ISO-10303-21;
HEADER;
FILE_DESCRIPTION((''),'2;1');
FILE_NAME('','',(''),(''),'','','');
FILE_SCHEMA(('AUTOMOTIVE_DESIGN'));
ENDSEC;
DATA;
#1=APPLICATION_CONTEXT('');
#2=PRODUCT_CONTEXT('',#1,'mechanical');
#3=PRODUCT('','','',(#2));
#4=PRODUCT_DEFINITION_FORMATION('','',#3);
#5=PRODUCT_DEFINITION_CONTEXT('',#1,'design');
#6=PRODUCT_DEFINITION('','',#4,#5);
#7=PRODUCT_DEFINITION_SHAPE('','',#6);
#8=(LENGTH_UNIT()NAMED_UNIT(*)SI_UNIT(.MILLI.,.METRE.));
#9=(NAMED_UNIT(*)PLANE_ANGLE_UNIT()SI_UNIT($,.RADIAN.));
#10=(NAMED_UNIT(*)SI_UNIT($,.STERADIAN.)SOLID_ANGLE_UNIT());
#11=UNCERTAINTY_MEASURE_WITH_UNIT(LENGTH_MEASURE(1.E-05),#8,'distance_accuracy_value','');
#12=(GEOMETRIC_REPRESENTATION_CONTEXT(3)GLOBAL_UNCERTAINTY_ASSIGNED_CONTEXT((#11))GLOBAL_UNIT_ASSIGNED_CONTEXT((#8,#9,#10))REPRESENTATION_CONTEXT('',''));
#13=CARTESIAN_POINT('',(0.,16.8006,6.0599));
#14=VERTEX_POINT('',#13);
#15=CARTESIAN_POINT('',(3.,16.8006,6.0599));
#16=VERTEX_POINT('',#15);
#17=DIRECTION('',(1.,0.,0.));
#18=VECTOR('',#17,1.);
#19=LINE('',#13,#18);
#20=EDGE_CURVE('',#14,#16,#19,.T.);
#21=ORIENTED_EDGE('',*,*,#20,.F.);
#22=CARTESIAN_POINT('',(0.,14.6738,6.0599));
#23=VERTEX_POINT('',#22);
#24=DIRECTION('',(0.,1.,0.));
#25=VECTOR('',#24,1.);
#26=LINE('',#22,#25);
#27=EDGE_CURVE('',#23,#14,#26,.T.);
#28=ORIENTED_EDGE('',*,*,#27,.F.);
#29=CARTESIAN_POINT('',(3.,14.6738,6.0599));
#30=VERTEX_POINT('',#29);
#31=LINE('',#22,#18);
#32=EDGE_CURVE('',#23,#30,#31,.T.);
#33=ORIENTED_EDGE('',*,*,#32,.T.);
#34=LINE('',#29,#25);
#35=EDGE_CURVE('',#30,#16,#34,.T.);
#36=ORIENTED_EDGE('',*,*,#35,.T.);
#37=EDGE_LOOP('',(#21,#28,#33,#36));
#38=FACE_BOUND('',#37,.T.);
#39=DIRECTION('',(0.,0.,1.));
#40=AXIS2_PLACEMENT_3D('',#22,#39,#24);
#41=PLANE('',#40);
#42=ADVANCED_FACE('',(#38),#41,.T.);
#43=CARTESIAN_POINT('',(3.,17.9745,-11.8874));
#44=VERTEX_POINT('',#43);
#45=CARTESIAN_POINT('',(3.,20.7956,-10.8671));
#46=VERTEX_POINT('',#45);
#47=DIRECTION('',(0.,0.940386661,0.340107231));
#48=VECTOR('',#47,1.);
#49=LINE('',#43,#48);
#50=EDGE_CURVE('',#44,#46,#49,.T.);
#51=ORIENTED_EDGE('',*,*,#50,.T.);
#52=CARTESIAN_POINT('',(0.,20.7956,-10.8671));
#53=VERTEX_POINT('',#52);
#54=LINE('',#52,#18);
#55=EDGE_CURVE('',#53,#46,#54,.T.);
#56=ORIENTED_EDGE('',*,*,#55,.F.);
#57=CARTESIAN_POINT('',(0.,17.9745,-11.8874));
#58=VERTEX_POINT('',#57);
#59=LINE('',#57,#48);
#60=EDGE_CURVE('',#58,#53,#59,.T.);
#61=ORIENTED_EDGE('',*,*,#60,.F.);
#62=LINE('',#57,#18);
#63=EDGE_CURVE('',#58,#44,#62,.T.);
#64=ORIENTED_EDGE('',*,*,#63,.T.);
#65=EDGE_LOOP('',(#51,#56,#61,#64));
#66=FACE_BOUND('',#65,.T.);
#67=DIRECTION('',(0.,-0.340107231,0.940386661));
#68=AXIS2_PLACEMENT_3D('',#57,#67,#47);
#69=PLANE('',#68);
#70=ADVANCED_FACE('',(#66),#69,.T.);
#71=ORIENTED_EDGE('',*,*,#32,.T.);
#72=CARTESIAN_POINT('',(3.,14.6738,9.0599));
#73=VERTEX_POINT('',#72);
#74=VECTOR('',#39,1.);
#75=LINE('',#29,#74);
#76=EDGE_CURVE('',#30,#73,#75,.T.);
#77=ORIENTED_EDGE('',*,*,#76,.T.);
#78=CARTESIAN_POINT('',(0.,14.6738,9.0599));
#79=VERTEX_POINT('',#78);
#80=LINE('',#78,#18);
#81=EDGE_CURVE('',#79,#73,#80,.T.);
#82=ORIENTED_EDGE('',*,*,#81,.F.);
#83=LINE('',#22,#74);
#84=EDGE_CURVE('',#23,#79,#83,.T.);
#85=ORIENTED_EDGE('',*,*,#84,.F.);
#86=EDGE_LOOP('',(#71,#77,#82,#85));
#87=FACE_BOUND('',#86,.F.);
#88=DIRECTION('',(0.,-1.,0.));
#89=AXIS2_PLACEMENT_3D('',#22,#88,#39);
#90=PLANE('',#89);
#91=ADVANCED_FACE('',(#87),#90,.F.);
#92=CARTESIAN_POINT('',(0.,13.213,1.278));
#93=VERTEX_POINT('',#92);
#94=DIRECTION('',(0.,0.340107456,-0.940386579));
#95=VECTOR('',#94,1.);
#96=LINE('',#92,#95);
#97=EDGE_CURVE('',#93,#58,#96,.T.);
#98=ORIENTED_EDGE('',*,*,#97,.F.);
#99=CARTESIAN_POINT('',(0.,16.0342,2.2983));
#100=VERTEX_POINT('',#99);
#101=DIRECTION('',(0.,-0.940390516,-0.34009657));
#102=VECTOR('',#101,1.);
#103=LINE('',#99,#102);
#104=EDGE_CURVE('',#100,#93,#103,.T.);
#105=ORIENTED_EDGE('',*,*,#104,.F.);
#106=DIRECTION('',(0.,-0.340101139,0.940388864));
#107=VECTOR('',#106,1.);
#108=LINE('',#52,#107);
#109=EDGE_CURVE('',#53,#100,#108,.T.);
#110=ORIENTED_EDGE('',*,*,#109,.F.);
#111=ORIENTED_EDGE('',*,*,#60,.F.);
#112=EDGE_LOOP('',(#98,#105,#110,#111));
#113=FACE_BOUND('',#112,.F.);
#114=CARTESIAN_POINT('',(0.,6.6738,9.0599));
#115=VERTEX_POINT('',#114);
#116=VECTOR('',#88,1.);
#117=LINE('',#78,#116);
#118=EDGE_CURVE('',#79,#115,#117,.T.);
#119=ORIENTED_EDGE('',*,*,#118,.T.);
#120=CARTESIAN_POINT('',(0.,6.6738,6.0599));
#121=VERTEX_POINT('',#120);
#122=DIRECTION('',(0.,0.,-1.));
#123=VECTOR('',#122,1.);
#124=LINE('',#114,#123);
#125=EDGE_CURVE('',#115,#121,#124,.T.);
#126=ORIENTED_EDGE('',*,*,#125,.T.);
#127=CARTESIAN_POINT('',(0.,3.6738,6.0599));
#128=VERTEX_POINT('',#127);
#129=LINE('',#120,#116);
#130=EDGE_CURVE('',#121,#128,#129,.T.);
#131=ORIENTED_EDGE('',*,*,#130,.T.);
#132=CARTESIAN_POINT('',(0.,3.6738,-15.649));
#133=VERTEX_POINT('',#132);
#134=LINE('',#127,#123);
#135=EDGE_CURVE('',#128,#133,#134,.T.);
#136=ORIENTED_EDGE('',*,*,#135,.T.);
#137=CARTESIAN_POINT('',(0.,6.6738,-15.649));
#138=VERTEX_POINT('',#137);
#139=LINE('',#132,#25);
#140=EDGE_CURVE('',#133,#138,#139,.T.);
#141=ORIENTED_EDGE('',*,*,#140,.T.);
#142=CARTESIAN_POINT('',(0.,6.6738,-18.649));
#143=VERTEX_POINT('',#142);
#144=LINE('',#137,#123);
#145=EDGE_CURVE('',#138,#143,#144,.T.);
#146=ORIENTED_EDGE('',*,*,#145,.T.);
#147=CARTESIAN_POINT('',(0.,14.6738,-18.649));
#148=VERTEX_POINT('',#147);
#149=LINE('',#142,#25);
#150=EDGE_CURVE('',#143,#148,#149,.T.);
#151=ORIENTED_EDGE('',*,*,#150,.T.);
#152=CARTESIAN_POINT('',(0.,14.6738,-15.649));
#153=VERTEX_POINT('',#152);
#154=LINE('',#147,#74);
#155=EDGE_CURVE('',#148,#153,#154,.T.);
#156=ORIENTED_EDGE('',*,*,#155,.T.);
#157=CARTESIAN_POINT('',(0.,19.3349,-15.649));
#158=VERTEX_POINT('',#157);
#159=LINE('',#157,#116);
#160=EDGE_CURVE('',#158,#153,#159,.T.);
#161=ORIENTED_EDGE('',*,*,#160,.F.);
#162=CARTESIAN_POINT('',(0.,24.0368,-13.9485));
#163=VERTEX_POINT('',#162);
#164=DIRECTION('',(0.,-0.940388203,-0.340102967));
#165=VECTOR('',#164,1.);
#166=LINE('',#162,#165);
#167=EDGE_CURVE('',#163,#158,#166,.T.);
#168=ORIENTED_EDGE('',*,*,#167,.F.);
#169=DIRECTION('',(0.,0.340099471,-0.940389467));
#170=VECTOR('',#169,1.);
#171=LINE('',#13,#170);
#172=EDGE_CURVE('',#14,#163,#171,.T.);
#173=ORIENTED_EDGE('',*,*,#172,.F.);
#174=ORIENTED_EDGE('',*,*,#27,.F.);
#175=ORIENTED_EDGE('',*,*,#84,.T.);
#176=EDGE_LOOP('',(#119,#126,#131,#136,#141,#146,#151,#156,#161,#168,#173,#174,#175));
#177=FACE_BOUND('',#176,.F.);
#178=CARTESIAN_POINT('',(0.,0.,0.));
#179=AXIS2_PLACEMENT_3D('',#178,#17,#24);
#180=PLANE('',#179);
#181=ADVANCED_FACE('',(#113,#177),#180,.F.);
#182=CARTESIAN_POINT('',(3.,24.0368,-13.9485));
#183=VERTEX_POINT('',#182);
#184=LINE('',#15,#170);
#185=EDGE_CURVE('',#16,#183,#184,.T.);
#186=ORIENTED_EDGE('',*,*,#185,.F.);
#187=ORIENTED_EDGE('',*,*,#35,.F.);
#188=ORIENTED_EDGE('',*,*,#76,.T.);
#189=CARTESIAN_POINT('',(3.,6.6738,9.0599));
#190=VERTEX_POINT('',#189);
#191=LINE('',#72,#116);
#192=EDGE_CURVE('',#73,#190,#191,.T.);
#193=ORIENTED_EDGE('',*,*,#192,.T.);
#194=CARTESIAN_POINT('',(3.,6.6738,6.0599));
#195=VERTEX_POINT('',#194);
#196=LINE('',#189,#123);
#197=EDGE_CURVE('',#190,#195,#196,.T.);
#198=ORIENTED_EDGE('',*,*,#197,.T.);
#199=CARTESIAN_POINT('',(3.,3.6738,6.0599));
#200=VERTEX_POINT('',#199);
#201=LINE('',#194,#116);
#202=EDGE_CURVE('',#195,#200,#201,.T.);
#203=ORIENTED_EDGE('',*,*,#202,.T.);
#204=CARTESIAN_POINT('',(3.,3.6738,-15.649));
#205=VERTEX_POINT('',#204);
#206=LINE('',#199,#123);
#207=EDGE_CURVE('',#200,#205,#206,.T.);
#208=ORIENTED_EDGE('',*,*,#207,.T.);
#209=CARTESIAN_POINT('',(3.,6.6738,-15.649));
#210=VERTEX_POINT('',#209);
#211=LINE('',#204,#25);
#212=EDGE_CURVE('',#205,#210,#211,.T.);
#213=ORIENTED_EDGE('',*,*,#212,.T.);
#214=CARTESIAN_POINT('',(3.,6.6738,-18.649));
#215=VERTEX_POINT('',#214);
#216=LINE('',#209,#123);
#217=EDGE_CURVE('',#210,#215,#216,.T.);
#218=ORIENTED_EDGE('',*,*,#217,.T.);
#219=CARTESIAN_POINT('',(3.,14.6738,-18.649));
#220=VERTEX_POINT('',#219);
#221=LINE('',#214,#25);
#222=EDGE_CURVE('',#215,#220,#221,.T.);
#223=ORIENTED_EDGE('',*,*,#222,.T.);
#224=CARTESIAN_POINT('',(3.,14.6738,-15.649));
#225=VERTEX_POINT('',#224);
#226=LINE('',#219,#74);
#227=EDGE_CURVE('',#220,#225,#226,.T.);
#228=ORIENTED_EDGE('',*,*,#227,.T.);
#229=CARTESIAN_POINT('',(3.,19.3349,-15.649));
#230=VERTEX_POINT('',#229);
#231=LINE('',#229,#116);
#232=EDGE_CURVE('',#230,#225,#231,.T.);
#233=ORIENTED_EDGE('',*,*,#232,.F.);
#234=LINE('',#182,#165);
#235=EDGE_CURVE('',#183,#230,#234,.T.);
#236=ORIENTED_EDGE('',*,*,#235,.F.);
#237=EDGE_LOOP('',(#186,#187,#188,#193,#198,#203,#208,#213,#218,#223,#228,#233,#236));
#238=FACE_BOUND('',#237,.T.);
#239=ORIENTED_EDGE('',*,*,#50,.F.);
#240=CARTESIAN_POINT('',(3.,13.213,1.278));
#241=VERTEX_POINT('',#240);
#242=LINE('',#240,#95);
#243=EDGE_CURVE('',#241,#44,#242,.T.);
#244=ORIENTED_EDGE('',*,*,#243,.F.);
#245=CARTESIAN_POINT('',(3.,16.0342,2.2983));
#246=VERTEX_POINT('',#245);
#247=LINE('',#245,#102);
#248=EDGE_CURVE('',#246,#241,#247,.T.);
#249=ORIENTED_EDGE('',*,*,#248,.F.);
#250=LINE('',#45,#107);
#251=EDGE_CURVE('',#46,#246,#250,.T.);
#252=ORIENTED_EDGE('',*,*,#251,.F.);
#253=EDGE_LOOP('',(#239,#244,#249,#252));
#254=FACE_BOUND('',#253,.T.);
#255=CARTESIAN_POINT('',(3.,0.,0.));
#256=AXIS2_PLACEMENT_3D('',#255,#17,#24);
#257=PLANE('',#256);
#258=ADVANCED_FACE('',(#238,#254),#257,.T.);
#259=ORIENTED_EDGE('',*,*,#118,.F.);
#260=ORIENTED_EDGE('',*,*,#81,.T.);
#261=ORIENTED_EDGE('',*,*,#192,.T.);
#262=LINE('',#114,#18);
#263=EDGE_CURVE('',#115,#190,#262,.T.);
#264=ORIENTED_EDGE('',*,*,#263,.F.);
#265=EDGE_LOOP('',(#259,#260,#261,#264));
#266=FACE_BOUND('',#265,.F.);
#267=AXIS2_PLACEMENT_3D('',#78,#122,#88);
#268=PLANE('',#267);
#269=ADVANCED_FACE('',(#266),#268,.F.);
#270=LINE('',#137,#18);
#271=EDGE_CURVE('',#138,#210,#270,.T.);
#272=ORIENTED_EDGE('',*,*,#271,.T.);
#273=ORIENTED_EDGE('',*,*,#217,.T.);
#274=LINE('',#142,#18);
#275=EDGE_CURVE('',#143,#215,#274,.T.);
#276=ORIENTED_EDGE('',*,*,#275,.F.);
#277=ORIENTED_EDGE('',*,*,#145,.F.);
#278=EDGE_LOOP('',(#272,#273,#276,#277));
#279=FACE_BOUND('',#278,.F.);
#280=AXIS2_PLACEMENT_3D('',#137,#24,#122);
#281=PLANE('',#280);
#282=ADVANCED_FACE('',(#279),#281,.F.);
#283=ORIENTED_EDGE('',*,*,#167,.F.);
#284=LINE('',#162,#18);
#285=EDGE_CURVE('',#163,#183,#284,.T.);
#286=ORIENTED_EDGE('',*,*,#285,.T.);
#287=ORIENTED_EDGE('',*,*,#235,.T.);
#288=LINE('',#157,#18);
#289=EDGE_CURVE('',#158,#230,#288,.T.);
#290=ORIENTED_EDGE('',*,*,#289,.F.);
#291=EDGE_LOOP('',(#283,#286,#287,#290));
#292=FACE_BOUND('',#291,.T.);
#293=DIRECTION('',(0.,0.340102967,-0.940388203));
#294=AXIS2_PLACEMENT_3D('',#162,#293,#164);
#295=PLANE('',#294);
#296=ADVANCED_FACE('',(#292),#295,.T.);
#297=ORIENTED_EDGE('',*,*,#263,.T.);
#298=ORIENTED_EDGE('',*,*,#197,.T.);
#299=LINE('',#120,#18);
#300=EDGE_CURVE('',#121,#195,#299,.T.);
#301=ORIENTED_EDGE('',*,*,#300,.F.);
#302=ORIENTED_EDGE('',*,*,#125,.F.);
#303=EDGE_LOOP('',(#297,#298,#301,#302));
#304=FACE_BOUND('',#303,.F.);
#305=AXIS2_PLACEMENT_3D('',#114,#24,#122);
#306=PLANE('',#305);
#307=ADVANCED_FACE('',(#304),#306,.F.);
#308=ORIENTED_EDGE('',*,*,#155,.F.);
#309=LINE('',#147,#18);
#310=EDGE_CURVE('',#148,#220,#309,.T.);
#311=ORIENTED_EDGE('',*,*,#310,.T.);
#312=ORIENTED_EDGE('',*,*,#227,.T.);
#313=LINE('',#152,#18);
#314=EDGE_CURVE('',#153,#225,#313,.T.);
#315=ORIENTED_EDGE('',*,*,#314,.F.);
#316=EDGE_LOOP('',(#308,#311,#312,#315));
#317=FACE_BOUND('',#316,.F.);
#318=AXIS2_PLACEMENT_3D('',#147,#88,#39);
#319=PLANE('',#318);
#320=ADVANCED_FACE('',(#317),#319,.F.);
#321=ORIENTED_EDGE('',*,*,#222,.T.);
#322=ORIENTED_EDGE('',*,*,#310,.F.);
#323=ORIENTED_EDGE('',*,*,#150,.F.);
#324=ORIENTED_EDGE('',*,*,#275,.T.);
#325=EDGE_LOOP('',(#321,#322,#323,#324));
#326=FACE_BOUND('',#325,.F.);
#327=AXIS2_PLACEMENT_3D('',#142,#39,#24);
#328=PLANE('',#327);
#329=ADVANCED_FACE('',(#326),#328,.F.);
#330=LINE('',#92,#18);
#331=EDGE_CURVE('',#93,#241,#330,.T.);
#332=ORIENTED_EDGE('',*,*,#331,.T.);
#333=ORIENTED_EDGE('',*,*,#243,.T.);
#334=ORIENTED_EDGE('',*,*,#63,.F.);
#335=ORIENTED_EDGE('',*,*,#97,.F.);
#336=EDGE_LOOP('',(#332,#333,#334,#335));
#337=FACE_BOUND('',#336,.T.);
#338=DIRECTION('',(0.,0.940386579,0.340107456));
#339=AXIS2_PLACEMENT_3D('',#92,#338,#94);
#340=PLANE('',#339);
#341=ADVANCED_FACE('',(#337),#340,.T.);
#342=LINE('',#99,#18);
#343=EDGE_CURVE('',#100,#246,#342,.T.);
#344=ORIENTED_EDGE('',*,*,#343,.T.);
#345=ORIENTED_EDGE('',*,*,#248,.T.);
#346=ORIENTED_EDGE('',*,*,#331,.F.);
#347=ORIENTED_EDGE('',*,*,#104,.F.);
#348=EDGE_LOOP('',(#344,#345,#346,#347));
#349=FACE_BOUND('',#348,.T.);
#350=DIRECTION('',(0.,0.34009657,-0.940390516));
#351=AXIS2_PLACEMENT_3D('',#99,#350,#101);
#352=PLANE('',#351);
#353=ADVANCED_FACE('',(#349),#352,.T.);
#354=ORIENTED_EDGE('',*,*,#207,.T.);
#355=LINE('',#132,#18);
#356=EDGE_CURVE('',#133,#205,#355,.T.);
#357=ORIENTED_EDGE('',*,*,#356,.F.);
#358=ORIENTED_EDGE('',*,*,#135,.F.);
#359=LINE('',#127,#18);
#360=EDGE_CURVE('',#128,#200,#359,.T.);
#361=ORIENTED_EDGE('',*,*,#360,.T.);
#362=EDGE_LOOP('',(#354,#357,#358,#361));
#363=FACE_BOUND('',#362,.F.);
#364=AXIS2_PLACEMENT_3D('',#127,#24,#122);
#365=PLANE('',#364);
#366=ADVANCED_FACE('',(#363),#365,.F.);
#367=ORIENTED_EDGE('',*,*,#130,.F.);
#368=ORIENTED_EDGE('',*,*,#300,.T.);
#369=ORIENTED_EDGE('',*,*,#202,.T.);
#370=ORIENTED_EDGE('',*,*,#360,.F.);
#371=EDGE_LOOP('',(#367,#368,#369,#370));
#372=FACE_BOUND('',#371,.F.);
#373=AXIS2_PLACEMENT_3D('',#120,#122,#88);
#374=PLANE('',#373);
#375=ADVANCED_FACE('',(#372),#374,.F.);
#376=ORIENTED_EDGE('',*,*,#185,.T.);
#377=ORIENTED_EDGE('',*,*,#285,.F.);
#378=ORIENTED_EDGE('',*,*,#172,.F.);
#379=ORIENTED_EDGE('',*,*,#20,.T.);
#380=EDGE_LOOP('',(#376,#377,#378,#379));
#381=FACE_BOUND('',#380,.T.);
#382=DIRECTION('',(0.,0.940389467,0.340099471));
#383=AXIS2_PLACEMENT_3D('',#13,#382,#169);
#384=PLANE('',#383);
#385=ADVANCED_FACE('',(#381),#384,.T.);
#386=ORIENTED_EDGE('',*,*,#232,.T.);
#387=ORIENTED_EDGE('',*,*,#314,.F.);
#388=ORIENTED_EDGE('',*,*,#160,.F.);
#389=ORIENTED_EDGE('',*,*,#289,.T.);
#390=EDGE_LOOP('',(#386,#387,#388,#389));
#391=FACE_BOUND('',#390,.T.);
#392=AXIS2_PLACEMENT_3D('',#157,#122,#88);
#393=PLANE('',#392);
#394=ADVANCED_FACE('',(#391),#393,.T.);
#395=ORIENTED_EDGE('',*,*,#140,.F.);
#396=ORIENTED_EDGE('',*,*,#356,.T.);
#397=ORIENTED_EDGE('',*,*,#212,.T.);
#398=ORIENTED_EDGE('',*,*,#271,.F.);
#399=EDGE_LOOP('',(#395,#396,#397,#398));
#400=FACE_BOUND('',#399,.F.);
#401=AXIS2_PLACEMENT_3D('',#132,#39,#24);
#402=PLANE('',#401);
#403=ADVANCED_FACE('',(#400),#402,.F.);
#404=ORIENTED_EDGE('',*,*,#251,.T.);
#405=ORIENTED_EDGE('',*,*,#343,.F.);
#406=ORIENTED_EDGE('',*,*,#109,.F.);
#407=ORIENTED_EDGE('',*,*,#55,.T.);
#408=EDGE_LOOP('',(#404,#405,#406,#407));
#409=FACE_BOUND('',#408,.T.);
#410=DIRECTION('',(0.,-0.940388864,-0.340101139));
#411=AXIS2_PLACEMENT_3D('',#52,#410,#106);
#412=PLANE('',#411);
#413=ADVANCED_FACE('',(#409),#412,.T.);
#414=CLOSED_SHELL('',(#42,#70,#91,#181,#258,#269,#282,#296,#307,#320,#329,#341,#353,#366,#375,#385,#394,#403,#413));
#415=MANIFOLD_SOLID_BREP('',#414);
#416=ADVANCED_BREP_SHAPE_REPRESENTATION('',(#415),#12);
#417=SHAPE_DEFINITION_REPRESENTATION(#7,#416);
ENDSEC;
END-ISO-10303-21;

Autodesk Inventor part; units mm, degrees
ref_plane "YZ Plane" through (0, 0, 0) normal (1, 0, 0) x (0, 1, 0)
ref_plane "XZ Plane" through (0, 0, 0) normal (0, 1, 0) x (-1, 0, 0)
ref_plane "XY Plane" through (0, 0, 0) normal (0, 0, 1) x (1, 0, 0)
sketch "Sketch2" plane through (0, 0, 0) normal (1, 0, 0) x (0, 1, 0)
  line L0 (16.0342, 2.2983) -> (13.213, 1.278)
  line L1 (13.213, 1.278) -> (17.9745, -11.8874)
  line L2 (17.9745, -11.8874) -> (20.7956, -10.8671)
  line L3 (20.7956, -10.8671) -> (16.0342, 2.2983)
  line L4 (16.8006, 6.0599) -> (24.0368, -13.9485)
  line L5 (14.6738, 6.0599) -> (16.8006, 6.0599)
  line L6 (24.0368, -13.9485) -> (19.3349, -15.649)
  line L7 (19.3349, -15.649) -> (14.6738, -15.649)
  line L8 (22.156, -14.6287) -> (14.6738, 6.0599) construction
  line L9 (17.9745, -11.8874) -> (11.3917, -14.2681) construction
  line L10 (11.3917, -14.2681) -> (6.6303, -1.1027) construction
  line L11 (6.6303, -1.1027) -> (13.213, 1.278) construction
  line L12 (6.6738, 6.0599) -> (3.6738, 6.0599)
  line L13 (3.6738, 6.0599) -> (3.6738, -15.649)
  line L14 (3.6738, -15.649) -> (6.6738, -15.649)
  line L15 (14.6738, 6.0599) -> (14.6738, 9.0599)
  line L16 (14.6738, 9.0599) -> (6.6738, 9.0599)
  line L17 (6.6738, 9.0599) -> (6.6738, 6.0599)
  line L18 (6.6738, -15.649) -> (6.6738, -18.649)
  line L19 (6.6738, -18.649) -> (14.6738, -18.649)
  line L20 (14.6738, -18.649) -> (14.6738, -15.649)
  point P0 (0, 0)
  dimension "d9" = 5
  dimension "d11" = 2
  dimension "d13" = 4
  dimension "d14" = 4
  dimension "d15" = 14
  dimension "d16" = 7
  dimension "d17" = 3
  dimension "d18" = 3
  dimension "d21" = 3
  dimension "d22" = 3
  dimension "d27" = 21.7089
  dimension "d28" = 8
  dimension "d29" = 8
extrude "Extrusion1" add sketch "Sketch2" along normal blind 3
equation "\"d13\" = d14"
properties part number "k_thumb_profile"
